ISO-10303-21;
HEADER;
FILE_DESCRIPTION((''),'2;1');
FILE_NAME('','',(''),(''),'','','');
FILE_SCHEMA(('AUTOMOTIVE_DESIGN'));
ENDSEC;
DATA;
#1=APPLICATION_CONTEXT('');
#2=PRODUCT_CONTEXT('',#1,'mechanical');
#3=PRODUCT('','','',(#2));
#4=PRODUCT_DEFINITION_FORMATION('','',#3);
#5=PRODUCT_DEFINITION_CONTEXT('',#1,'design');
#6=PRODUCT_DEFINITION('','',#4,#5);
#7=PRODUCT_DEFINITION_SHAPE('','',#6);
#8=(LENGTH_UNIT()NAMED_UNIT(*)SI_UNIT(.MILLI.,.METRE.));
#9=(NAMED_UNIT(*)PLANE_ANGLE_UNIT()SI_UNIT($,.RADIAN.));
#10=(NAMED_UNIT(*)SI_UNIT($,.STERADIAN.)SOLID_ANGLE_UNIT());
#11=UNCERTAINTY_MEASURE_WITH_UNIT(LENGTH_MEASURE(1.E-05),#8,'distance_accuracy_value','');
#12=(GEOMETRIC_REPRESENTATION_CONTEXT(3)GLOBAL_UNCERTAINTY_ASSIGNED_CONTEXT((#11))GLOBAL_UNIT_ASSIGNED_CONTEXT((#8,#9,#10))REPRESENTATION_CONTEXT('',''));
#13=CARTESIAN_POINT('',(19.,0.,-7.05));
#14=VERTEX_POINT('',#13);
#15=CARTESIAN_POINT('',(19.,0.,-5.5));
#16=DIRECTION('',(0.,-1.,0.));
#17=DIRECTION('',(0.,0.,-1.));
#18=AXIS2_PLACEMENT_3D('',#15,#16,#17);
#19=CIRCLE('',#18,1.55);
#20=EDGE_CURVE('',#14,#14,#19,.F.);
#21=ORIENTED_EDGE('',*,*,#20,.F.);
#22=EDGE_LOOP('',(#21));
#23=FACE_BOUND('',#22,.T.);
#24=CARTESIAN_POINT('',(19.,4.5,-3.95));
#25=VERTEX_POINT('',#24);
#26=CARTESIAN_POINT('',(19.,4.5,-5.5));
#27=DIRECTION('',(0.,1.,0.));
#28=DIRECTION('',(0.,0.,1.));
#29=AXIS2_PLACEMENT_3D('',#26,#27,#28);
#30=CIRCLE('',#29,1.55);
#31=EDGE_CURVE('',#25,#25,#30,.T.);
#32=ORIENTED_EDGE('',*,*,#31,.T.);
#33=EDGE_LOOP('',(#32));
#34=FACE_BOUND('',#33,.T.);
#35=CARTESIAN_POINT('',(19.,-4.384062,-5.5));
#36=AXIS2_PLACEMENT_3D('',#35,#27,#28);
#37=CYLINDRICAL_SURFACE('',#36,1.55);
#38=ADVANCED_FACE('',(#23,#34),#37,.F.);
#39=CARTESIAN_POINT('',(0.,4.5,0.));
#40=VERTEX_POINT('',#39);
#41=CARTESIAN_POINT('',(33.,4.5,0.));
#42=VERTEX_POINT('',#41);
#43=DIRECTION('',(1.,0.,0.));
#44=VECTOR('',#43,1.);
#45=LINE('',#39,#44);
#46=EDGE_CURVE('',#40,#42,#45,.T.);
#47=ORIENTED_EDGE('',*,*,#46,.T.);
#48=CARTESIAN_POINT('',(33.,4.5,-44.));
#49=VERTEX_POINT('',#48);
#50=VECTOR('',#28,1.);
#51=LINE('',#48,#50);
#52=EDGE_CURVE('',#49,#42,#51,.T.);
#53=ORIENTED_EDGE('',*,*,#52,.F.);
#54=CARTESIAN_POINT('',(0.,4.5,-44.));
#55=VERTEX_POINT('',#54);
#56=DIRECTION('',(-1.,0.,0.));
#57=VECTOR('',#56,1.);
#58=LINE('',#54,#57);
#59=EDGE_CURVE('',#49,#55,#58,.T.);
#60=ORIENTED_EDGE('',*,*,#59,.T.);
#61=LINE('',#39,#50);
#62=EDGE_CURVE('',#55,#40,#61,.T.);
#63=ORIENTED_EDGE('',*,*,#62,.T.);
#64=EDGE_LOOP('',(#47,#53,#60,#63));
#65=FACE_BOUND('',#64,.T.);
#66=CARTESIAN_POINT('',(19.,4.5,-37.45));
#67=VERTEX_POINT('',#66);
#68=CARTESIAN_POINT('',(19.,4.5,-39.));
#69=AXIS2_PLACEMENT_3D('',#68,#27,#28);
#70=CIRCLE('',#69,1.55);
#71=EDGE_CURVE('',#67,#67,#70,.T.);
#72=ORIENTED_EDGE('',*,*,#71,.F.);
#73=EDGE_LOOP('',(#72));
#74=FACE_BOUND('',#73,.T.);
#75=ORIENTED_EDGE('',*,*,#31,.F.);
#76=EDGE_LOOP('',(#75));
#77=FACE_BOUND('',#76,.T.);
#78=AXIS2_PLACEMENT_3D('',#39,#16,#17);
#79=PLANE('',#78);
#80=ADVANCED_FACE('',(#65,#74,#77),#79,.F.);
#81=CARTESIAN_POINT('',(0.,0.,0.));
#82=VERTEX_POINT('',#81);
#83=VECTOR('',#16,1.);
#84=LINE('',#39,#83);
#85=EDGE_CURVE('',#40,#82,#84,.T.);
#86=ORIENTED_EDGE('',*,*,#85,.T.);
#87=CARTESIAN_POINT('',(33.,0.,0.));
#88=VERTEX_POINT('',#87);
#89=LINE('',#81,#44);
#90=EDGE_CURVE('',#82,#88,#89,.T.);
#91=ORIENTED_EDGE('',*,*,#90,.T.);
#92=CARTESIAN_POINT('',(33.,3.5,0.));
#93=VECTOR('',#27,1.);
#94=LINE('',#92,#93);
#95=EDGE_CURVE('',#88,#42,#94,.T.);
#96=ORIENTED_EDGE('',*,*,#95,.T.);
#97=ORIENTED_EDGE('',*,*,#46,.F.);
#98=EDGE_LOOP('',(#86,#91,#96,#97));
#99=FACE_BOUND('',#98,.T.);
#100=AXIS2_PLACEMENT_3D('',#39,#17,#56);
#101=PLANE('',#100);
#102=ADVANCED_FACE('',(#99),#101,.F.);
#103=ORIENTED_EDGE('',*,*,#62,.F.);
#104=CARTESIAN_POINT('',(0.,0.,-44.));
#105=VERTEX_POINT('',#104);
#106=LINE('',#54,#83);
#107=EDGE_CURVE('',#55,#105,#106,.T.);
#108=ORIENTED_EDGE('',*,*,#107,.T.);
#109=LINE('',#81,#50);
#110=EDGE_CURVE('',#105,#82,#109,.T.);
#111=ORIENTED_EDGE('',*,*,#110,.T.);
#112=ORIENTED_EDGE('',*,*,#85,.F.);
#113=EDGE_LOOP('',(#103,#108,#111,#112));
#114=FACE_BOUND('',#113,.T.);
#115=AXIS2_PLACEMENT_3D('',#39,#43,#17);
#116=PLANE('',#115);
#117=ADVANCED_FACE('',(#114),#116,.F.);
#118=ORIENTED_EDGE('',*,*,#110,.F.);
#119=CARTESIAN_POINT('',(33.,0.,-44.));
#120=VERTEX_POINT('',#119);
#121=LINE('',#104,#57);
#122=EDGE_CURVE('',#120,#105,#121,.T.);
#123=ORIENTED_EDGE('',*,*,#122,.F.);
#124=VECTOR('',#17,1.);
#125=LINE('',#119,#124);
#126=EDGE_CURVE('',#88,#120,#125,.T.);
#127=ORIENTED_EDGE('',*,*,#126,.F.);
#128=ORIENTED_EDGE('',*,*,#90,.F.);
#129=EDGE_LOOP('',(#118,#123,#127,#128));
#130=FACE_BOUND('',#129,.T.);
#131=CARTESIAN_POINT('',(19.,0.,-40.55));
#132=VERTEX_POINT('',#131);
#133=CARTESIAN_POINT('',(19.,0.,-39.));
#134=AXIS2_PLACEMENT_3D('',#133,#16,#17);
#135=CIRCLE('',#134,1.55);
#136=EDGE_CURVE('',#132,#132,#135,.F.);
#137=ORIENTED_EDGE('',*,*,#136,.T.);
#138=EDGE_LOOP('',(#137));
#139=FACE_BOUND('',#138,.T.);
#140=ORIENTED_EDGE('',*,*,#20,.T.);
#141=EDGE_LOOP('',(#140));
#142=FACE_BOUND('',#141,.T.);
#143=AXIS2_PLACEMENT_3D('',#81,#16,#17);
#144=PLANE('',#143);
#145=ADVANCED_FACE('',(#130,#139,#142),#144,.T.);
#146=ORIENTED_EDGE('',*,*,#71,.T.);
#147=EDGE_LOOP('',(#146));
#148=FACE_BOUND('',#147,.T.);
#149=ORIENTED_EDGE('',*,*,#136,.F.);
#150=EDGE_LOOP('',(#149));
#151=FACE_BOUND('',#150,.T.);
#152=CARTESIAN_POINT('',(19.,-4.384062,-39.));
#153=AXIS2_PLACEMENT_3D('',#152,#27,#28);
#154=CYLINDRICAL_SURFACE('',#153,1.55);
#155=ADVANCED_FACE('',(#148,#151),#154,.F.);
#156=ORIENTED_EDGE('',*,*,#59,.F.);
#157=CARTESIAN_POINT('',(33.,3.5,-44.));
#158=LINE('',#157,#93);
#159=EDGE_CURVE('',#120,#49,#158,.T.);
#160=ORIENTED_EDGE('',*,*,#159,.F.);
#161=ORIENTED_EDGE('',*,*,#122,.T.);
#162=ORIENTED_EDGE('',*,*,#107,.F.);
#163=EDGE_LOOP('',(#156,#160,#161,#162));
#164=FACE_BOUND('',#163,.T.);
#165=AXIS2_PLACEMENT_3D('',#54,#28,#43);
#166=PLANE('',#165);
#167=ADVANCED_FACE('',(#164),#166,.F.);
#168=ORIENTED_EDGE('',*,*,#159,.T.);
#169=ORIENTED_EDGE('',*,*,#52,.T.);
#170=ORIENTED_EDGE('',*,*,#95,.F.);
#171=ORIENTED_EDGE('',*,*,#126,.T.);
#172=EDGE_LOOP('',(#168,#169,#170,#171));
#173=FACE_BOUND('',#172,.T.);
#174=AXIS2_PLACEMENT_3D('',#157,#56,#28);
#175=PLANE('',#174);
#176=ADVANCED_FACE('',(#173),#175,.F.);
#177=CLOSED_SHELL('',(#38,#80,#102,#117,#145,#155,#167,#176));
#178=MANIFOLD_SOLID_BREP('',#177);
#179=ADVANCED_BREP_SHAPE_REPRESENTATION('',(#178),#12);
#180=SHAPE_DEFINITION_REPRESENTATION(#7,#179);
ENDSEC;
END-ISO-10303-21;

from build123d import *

# Parameters (mm, degrees)
CROQUIS1_W              = 37
CROQUIS1_H              = 44
SALIENTE_EXTRUIR1_DEPTH = 4.5
CROQUIS2_R              = 1.55
CORTAR_EXTRUIR1_DEPTH   = 4.5
CROQUIS3_W              = 1.5
CROQUIS3_H              = 44
CORTAR_EXTRUIR2_DEPTH   = 1
CROQUIS4_W              = 1.5
CROQUIS4_H              = 44
CORTAR_EXTRUIR3_DEPTH   = 1
CROQUIS8_W              = 4
CROQUIS8_H              = 44
CORTAR_EXTRUIR4_DEPTH   = 4.5


with BuildPart() as part:
    # Croquis1 → Saliente-Extruir1 (new body)
    with BuildSketch(Plane(origin=(0, 0, 0), x_dir=(1, 0, 0), z_dir=(0, 1, 0))):
        with Locations((18.5, 22)):
            Rectangle(CROQUIS1_W, CROQUIS1_H)
    extrude(amount=SALIENTE_EXTRUIR1_DEPTH)

    # Croquis2 → Cortar-Extruir1 (cut)
    with BuildSketch(Plane(origin=(0, 4.5, 0), x_dir=(1, 0, 0), z_dir=(0, 1, 0))):
        with Locations(Location((19, 39, 0), (0, 0, 270))):
            Circle(CROQUIS2_R)
        with Locations(Location((19, 5.5, 0), (0, 0, 270))):
            Circle(CROQUIS2_R)
    extrude(amount=-CORTAR_EXTRUIR1_DEPTH, mode=Mode.SUBTRACT)

    # Croquis3 → Cortar-Extruir2 (cut)
    with BuildSketch(Plane(origin=(0, 4.5, 0), x_dir=(1, 0, 0), z_dir=(0, 1, 0))):
        with Locations((33.75, 22)):
            Rectangle(CROQUIS3_W, CROQUIS3_H)
    extrude(amount=-CORTAR_EXTRUIR2_DEPTH, mode=Mode.SUBTRACT)

    # Croquis4 → Cortar-Extruir3 (cut)
    with BuildSketch(Plane.XZ):
        with Locations((33.75, -22)):
            Rectangle(CROQUIS4_W, CROQUIS4_H)
    extrude(amount=-CORTAR_EXTRUIR3_DEPTH, mode=Mode.SUBTRACT)

    # Croquis8 → Cortar-Extruir4 (cut)
    with BuildSketch(Plane(origin=(0, 4.5, 0), x_dir=(1, 0, 0), z_dir=(0, 1, 0))):
        with Locations((35, 22)):
            Rectangle(CROQUIS8_W, CROQUIS8_H)
    extrude(amount=-CORTAR_EXTRUIR4_DEPTH, mode=Mode.SUBTRACT)


solid = part.part
